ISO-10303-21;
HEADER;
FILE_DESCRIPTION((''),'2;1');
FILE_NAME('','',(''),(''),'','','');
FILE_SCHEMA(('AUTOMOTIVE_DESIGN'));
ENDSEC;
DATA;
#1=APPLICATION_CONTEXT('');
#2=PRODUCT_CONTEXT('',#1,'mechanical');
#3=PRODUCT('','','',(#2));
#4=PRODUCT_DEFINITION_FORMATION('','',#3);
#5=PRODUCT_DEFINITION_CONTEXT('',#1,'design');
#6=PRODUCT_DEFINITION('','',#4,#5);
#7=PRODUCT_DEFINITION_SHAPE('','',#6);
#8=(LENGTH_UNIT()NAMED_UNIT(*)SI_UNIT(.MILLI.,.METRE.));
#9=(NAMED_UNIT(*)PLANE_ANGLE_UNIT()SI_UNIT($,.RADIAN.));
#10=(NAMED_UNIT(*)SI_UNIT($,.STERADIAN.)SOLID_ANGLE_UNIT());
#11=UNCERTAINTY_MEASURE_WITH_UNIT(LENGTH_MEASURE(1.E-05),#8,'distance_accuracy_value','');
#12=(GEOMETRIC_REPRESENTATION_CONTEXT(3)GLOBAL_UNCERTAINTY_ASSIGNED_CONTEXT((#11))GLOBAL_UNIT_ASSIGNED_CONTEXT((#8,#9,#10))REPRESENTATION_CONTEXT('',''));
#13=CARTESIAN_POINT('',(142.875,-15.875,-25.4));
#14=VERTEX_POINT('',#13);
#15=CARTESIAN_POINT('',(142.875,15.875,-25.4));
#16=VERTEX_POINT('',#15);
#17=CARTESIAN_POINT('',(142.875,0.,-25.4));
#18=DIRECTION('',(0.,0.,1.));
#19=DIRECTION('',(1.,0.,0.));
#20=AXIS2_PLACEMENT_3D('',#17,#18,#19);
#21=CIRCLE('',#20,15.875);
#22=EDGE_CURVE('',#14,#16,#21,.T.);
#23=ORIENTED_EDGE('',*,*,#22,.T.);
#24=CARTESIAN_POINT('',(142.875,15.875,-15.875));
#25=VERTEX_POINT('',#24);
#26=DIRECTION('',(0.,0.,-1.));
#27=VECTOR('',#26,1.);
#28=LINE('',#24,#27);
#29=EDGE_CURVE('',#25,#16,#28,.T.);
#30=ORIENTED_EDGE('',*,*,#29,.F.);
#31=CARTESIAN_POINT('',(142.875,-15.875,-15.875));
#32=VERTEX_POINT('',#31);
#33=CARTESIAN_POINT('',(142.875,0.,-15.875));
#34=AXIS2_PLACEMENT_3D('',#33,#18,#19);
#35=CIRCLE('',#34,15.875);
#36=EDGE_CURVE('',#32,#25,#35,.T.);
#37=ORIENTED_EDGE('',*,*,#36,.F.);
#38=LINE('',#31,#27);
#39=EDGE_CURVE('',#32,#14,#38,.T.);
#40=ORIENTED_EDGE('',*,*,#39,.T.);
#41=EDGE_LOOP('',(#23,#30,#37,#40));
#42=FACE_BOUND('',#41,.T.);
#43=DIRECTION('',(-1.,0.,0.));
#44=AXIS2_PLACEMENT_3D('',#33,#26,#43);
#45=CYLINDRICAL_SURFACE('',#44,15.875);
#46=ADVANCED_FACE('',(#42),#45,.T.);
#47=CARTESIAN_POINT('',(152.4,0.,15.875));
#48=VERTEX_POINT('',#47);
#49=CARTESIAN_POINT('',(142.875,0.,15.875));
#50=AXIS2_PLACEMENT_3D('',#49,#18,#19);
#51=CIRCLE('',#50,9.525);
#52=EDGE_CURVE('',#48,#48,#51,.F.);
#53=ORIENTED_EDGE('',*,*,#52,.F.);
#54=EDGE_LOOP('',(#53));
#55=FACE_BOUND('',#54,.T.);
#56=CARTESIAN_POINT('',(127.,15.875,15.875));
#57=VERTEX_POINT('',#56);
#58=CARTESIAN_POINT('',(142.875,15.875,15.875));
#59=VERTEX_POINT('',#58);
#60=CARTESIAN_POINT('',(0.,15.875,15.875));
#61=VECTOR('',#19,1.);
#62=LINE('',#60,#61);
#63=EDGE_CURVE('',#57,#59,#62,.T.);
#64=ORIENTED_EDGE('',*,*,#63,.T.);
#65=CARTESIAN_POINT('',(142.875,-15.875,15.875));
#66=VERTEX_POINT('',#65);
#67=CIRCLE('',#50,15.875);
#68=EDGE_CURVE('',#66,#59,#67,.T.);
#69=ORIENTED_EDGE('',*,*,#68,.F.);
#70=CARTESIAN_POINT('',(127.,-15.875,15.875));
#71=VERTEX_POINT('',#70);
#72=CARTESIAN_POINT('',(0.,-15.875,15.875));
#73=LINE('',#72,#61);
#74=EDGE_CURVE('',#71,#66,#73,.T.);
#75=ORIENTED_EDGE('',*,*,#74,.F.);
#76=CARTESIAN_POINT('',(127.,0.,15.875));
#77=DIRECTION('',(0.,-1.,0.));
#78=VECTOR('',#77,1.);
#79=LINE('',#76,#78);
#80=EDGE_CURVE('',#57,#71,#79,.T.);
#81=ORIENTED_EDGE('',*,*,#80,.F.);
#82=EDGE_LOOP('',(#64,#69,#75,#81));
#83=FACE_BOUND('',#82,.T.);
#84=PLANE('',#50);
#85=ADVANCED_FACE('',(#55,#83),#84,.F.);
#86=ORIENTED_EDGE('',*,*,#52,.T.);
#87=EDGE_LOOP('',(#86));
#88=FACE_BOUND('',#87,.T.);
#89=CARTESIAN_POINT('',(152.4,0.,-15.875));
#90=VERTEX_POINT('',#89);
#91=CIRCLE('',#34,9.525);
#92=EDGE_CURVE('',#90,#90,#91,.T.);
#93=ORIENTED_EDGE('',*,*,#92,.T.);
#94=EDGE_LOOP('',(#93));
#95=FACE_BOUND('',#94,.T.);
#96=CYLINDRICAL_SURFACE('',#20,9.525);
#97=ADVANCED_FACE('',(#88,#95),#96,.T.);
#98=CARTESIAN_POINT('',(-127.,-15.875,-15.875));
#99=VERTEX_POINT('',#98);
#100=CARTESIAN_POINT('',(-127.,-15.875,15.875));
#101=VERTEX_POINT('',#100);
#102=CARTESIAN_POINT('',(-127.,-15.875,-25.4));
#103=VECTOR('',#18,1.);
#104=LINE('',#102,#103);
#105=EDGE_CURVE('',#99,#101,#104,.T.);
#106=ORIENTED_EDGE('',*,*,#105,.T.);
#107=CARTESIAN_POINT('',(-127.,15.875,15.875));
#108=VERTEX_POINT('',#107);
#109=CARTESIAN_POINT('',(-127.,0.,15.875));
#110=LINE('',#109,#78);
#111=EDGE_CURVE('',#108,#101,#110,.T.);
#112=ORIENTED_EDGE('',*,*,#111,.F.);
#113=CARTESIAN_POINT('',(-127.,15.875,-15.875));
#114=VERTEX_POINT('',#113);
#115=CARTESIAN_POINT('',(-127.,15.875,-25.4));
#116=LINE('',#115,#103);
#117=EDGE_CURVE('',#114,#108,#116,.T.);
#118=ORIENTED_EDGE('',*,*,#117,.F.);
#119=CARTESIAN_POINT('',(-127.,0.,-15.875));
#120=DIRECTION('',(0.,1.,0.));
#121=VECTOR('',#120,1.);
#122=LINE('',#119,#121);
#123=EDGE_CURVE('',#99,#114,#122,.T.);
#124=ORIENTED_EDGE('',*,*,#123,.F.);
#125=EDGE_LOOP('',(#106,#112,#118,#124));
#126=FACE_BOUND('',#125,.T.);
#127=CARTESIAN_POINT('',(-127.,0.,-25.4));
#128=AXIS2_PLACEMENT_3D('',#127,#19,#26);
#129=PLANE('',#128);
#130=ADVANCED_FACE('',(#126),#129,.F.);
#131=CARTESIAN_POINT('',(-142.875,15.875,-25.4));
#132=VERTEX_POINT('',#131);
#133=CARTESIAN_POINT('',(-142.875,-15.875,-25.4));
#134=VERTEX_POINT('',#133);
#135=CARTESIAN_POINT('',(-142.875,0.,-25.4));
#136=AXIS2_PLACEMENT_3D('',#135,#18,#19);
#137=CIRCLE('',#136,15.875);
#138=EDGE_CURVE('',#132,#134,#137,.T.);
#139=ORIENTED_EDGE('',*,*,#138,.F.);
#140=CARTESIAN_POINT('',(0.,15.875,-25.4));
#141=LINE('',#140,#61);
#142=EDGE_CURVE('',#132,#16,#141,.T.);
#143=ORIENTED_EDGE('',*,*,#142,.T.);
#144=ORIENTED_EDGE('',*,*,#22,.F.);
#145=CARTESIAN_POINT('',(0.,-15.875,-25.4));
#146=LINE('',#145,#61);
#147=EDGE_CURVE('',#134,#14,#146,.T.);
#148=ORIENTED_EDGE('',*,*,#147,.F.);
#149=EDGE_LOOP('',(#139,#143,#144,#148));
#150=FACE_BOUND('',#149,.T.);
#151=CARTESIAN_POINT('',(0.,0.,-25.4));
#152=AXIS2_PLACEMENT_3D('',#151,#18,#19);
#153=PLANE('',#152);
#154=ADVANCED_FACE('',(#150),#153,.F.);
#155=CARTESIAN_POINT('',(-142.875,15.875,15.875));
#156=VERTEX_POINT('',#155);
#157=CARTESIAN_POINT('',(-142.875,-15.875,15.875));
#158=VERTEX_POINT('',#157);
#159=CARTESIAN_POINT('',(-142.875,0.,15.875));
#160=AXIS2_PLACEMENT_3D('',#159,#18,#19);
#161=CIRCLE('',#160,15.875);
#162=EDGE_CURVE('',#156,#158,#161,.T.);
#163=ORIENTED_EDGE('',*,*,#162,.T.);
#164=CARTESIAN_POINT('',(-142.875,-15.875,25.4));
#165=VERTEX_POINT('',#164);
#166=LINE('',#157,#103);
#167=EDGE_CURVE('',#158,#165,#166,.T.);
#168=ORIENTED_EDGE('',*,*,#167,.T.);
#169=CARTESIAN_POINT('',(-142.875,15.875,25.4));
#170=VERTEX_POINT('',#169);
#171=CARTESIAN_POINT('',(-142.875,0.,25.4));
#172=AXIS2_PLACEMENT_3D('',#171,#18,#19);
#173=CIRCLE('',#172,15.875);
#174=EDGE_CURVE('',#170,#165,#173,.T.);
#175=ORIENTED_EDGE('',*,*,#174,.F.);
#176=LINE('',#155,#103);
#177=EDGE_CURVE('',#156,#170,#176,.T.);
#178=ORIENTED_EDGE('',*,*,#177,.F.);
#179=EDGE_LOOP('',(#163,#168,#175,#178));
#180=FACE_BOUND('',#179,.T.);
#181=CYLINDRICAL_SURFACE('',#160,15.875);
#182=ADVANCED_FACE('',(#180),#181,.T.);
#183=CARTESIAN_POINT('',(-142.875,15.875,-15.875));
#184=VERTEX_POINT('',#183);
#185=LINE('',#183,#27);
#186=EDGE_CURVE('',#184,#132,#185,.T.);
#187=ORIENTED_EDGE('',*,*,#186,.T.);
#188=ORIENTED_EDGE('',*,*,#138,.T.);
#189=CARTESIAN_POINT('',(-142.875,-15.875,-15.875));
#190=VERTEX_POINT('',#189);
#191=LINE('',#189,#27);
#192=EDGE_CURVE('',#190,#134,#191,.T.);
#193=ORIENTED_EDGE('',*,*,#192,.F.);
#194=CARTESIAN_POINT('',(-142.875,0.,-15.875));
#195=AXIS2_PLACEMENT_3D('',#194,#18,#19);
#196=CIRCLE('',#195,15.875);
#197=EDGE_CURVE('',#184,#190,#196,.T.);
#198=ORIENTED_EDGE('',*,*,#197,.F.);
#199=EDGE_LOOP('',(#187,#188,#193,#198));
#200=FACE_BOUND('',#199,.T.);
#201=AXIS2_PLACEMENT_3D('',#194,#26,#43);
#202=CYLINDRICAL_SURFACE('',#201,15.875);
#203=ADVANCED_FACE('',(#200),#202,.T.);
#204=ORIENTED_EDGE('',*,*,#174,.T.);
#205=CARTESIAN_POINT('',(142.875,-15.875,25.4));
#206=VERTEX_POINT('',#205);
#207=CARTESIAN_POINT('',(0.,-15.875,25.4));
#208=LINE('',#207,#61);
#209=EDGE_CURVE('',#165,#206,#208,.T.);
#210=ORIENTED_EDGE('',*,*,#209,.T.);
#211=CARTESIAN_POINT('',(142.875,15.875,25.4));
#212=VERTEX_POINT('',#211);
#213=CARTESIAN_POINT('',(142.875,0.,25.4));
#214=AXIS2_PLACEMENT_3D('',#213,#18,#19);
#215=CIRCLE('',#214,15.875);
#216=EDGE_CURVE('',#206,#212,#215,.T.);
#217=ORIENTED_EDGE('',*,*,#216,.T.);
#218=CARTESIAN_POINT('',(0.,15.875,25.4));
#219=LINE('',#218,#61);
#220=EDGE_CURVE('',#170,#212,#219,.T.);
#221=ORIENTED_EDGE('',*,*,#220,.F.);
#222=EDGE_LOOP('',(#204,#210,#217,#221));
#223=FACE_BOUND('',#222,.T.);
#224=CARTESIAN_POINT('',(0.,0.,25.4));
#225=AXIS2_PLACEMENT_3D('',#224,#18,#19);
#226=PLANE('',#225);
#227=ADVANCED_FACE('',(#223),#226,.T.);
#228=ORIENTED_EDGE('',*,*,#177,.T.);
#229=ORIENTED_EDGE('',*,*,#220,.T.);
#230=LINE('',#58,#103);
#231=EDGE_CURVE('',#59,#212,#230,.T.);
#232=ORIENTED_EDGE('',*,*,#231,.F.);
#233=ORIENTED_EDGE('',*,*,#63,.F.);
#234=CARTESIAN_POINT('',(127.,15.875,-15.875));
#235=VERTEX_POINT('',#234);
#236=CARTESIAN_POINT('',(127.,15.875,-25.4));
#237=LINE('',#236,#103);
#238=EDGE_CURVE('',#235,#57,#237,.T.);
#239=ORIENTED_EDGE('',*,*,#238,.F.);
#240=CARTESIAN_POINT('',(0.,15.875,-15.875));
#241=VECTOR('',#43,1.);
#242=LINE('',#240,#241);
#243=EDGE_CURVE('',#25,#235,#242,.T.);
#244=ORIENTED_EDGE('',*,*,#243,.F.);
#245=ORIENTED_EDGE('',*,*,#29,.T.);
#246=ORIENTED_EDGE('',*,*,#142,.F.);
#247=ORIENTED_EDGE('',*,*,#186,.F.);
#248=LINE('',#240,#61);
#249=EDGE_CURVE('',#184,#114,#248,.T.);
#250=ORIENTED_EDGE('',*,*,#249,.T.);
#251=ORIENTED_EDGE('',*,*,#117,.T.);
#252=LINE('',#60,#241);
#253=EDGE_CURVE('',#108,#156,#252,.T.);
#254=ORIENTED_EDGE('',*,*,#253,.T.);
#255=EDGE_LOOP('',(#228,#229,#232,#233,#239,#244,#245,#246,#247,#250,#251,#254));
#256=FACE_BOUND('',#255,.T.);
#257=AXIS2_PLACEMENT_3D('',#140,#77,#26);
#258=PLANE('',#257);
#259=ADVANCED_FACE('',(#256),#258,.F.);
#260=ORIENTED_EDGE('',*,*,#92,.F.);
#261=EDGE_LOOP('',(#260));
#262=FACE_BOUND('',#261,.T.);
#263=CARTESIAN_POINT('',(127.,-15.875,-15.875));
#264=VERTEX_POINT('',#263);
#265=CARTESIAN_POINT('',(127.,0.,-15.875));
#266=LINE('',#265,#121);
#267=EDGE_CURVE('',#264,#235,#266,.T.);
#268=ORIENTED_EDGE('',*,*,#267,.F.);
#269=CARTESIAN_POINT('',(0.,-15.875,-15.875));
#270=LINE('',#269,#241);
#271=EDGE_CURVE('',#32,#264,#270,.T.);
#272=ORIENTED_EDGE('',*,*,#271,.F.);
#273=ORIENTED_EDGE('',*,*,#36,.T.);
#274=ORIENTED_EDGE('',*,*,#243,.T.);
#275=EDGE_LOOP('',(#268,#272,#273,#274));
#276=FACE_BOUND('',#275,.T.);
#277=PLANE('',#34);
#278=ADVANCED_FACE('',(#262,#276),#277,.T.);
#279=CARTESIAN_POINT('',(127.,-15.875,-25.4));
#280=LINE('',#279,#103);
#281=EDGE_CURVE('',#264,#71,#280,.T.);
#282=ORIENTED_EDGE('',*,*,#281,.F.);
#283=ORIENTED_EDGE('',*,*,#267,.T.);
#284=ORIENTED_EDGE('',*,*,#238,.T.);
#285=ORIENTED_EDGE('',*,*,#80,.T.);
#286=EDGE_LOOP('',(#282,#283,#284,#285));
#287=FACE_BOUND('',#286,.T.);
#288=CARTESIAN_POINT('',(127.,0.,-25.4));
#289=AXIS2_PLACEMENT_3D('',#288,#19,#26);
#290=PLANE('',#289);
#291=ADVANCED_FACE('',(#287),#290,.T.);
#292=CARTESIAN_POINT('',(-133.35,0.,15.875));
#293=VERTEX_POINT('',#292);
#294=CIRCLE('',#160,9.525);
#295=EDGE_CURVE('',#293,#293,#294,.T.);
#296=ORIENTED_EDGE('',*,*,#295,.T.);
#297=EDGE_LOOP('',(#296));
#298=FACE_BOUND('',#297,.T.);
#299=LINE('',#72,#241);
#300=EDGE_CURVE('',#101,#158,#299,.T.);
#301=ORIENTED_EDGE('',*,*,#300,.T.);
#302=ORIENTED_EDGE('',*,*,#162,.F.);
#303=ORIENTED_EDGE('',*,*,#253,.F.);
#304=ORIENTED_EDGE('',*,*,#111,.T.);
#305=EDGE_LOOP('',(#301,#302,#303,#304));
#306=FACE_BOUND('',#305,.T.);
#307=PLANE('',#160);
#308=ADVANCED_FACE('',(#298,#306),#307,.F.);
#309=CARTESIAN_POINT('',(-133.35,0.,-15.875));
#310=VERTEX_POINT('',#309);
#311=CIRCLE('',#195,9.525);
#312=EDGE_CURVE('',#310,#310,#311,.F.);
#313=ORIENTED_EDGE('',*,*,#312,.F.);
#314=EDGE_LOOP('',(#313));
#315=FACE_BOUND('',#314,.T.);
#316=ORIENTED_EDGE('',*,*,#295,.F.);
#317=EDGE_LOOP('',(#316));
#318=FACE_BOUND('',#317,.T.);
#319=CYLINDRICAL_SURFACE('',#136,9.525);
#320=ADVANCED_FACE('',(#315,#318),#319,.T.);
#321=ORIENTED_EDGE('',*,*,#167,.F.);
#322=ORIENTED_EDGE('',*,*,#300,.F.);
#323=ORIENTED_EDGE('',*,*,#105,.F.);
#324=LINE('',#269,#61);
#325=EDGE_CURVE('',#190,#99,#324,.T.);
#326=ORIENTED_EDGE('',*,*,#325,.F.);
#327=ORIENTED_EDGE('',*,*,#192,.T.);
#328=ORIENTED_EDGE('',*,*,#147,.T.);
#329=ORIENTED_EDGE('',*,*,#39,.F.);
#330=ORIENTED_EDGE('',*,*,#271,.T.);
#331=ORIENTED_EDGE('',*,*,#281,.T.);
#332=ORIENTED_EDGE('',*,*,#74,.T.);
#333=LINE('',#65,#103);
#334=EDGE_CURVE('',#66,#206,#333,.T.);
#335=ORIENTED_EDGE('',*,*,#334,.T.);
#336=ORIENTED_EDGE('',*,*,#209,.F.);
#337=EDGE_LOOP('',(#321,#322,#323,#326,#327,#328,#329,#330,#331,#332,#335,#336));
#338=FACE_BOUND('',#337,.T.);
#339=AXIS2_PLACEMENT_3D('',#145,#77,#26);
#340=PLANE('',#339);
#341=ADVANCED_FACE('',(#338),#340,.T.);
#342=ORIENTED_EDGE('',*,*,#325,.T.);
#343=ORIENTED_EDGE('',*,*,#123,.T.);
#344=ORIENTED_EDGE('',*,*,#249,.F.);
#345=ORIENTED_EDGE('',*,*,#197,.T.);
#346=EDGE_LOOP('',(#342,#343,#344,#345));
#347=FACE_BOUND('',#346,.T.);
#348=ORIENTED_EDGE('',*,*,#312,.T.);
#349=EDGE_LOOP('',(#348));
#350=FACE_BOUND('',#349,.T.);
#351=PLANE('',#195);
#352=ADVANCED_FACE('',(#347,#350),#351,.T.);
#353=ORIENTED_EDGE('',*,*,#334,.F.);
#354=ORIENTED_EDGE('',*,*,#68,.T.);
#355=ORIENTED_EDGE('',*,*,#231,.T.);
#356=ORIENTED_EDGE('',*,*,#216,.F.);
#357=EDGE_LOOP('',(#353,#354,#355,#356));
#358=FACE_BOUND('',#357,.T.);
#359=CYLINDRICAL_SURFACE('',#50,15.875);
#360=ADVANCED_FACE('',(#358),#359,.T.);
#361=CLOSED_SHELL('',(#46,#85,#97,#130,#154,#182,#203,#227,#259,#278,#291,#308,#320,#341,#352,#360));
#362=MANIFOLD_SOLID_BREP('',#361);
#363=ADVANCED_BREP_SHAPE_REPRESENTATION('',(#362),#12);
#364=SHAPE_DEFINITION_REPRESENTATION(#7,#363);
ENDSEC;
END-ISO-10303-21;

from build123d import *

# Parameters (mm, degrees)
SKETCH1_W                  = 254
SKETCH1_H                  = 31.75
BOSS_EXTRUDE1_DEPTH        = 25.4
BOSS_EXTRUDE1_DEPTH_BACK   = 25.4
SKETCH1_R                  = 9.525
BOSS_EXTRUDE1_2_DEPTH      = 25.4
BOSS_EXTRUDE1_2_DEPTH_BACK = 25.4
BOSS_EXTRUDE1_3_DEPTH      = 25.4
BOSS_EXTRUDE1_3_DEPTH_BACK = 25.4
BOSS_EXTRUDE2_START        = 25.4
SKETCH1_4_R                = 15.875
SKETCH1_4_R_2              = 9.525
BOSS_EXTRUDE2_DEPTH        = 9.525
BOSS_EXTRUDE3_START        = -25.4
SKETCH1_5_R                = 15.875
SKETCH1_5_R_2              = 9.525
BOSS_EXTRUDE3_DEPTH        = 9.525


with BuildPart() as part:
    # Sketch1 → Boss-Extrude1 (new body, two sides)
    with BuildSketch(Plane.XY) as boss_extrude1_sk:
        Rectangle(SKETCH1_W, SKETCH1_H)
    extrude(amount=BOSS_EXTRUDE1_DEPTH)
    extrude(boss_extrude1_sk.sketch, amount=-BOSS_EXTRUDE1_DEPTH_BACK)



with BuildPart() as body_2:
    # Sketch1 → Boss-Extrude1 2 (new body, two sides)
    with BuildSketch(Plane.XY) as boss_extrude1_2_sk:
        with Locations((-142.875, 0)):
            Circle(SKETCH1_R)
    extrude(amount=BOSS_EXTRUDE1_2_DEPTH)
    extrude(boss_extrude1_2_sk.sketch, amount=-BOSS_EXTRUDE1_2_DEPTH_BACK)


with BuildPart() as body_3:
    # Sketch1 → Boss-Extrude1 3 (new body, two sides)
    with BuildSketch(Plane.XY) as boss_extrude1_3_sk:
        with Locations((142.875, 0)):
            Circle(SKETCH1_R)
    extrude(amount=BOSS_EXTRUDE1_3_DEPTH)
    extrude(boss_extrude1_3_sk.sketch, amount=-BOSS_EXTRUDE1_3_DEPTH_BACK)


with BuildPart() as part_1:
    add(part.part)

    add(body_2.part)  # Boss-Extrude2 merges body 2

    add(body_3.part)  # Boss-Extrude2 merges body 3
    # Sketch1<4> → Boss-Extrude2 (add)
    with BuildSketch(Plane.XY.offset(BOSS_EXTRUDE2_START)):
        with BuildLine():
            Line((-127, 15.875), (-142.875, 15.875))
            ThreePointArc((-142.875, 15.875), (-131.649679849, 11.225320151), (-127, 0))
            Line((-127, 0), (-127, 15.875))
        make_face()
        with Locations((-142.875, 0)):
            Circle(SKETCH1_4_R)
        with Locations((-142.875, 0)):
            Circle(SKETCH1_4_R_2, mode=Mode.SUBTRACT)
        with BuildLine():
            Line((-127, -15.875), (-127, 0))
            ThreePointArc((-127, 0), (-131.649679849, -11.225320151), (-142.875, -15.875))
            Line((-142.875, -15.875), (-127, -15.875))
        make_face()
        with BuildLine():
            Line((142.875, 15.875), (127, 15.875))
            Line((127, 15.875), (127, 3.4e-08))
            ThreePointArc((127, 3.4e-08), (131.649679861, 11.225320163), (142.875, 15.875))
        make_face()
        with Locations((142.875, 0)):
            Circle(SKETCH1_4_R)
        with Locations((142.875, 0)):
            Circle(SKETCH1_4_R_2, mode=Mode.SUBTRACT)
        with BuildLine():
            ThreePointArc((142.875, -15.875), (131.649679837, -11.225320139), (127, 3.4e-08))
            Line((127, 3.4e-08), (127, -15.875))
            Line((127, -15.875), (142.875, -15.875))
        make_face()
    extrude(amount=-BOSS_EXTRUDE2_DEPTH)

    # Sketch1<5> → Boss-Extrude3 (add)
    with BuildSketch(Plane.XY.offset(BOSS_EXTRUDE3_START)):
        with Locations((-142.875, 0)):
            Circle(SKETCH1_5_R)
        with Locations((-142.875, 0)):
            Circle(SKETCH1_5_R_2, mode=Mode.SUBTRACT)
        with BuildLine():
            Line((-127, 15.875), (-142.875, 15.875))
            ThreePointArc((-142.875, 15.875), (-131.649679849, 11.225320151), (-127, 0))
            Line((-127, 0), (-127, 15.875))
        make_face()
        with BuildLine():
            Line((-127, -15.875), (-127, 0))
            ThreePointArc((-127, 0), (-131.649679849, -11.225320151), (-142.875, -15.875))
            Line((-142.875, -15.875), (-127, -15.875))
        make_face()
        with BuildLine():
            Line((142.875, 15.875), (127, 15.875))
            Line((127, 15.875), (127, 3.4e-08))
            ThreePointArc((127, 3.4e-08), (131.649679861, 11.225320163), (142.875, 15.875))
        make_face()
        with Locations((142.875, 0)):
            Circle(SKETCH1_5_R)
        with Locations((142.875, 0)):
            Circle(SKETCH1_5_R_2, mode=Mode.SUBTRACT)
        with BuildLine():
            ThreePointArc((142.875, -15.875), (131.649679837, -11.225320139), (127, 3.4e-08))
            Line((127, 3.4e-08), (127, -15.875))
            Line((127, -15.875), (142.875, -15.875))
        make_face()
    extrude(amount=BOSS_EXTRUDE3_DEPTH)


solid = part_1.part
